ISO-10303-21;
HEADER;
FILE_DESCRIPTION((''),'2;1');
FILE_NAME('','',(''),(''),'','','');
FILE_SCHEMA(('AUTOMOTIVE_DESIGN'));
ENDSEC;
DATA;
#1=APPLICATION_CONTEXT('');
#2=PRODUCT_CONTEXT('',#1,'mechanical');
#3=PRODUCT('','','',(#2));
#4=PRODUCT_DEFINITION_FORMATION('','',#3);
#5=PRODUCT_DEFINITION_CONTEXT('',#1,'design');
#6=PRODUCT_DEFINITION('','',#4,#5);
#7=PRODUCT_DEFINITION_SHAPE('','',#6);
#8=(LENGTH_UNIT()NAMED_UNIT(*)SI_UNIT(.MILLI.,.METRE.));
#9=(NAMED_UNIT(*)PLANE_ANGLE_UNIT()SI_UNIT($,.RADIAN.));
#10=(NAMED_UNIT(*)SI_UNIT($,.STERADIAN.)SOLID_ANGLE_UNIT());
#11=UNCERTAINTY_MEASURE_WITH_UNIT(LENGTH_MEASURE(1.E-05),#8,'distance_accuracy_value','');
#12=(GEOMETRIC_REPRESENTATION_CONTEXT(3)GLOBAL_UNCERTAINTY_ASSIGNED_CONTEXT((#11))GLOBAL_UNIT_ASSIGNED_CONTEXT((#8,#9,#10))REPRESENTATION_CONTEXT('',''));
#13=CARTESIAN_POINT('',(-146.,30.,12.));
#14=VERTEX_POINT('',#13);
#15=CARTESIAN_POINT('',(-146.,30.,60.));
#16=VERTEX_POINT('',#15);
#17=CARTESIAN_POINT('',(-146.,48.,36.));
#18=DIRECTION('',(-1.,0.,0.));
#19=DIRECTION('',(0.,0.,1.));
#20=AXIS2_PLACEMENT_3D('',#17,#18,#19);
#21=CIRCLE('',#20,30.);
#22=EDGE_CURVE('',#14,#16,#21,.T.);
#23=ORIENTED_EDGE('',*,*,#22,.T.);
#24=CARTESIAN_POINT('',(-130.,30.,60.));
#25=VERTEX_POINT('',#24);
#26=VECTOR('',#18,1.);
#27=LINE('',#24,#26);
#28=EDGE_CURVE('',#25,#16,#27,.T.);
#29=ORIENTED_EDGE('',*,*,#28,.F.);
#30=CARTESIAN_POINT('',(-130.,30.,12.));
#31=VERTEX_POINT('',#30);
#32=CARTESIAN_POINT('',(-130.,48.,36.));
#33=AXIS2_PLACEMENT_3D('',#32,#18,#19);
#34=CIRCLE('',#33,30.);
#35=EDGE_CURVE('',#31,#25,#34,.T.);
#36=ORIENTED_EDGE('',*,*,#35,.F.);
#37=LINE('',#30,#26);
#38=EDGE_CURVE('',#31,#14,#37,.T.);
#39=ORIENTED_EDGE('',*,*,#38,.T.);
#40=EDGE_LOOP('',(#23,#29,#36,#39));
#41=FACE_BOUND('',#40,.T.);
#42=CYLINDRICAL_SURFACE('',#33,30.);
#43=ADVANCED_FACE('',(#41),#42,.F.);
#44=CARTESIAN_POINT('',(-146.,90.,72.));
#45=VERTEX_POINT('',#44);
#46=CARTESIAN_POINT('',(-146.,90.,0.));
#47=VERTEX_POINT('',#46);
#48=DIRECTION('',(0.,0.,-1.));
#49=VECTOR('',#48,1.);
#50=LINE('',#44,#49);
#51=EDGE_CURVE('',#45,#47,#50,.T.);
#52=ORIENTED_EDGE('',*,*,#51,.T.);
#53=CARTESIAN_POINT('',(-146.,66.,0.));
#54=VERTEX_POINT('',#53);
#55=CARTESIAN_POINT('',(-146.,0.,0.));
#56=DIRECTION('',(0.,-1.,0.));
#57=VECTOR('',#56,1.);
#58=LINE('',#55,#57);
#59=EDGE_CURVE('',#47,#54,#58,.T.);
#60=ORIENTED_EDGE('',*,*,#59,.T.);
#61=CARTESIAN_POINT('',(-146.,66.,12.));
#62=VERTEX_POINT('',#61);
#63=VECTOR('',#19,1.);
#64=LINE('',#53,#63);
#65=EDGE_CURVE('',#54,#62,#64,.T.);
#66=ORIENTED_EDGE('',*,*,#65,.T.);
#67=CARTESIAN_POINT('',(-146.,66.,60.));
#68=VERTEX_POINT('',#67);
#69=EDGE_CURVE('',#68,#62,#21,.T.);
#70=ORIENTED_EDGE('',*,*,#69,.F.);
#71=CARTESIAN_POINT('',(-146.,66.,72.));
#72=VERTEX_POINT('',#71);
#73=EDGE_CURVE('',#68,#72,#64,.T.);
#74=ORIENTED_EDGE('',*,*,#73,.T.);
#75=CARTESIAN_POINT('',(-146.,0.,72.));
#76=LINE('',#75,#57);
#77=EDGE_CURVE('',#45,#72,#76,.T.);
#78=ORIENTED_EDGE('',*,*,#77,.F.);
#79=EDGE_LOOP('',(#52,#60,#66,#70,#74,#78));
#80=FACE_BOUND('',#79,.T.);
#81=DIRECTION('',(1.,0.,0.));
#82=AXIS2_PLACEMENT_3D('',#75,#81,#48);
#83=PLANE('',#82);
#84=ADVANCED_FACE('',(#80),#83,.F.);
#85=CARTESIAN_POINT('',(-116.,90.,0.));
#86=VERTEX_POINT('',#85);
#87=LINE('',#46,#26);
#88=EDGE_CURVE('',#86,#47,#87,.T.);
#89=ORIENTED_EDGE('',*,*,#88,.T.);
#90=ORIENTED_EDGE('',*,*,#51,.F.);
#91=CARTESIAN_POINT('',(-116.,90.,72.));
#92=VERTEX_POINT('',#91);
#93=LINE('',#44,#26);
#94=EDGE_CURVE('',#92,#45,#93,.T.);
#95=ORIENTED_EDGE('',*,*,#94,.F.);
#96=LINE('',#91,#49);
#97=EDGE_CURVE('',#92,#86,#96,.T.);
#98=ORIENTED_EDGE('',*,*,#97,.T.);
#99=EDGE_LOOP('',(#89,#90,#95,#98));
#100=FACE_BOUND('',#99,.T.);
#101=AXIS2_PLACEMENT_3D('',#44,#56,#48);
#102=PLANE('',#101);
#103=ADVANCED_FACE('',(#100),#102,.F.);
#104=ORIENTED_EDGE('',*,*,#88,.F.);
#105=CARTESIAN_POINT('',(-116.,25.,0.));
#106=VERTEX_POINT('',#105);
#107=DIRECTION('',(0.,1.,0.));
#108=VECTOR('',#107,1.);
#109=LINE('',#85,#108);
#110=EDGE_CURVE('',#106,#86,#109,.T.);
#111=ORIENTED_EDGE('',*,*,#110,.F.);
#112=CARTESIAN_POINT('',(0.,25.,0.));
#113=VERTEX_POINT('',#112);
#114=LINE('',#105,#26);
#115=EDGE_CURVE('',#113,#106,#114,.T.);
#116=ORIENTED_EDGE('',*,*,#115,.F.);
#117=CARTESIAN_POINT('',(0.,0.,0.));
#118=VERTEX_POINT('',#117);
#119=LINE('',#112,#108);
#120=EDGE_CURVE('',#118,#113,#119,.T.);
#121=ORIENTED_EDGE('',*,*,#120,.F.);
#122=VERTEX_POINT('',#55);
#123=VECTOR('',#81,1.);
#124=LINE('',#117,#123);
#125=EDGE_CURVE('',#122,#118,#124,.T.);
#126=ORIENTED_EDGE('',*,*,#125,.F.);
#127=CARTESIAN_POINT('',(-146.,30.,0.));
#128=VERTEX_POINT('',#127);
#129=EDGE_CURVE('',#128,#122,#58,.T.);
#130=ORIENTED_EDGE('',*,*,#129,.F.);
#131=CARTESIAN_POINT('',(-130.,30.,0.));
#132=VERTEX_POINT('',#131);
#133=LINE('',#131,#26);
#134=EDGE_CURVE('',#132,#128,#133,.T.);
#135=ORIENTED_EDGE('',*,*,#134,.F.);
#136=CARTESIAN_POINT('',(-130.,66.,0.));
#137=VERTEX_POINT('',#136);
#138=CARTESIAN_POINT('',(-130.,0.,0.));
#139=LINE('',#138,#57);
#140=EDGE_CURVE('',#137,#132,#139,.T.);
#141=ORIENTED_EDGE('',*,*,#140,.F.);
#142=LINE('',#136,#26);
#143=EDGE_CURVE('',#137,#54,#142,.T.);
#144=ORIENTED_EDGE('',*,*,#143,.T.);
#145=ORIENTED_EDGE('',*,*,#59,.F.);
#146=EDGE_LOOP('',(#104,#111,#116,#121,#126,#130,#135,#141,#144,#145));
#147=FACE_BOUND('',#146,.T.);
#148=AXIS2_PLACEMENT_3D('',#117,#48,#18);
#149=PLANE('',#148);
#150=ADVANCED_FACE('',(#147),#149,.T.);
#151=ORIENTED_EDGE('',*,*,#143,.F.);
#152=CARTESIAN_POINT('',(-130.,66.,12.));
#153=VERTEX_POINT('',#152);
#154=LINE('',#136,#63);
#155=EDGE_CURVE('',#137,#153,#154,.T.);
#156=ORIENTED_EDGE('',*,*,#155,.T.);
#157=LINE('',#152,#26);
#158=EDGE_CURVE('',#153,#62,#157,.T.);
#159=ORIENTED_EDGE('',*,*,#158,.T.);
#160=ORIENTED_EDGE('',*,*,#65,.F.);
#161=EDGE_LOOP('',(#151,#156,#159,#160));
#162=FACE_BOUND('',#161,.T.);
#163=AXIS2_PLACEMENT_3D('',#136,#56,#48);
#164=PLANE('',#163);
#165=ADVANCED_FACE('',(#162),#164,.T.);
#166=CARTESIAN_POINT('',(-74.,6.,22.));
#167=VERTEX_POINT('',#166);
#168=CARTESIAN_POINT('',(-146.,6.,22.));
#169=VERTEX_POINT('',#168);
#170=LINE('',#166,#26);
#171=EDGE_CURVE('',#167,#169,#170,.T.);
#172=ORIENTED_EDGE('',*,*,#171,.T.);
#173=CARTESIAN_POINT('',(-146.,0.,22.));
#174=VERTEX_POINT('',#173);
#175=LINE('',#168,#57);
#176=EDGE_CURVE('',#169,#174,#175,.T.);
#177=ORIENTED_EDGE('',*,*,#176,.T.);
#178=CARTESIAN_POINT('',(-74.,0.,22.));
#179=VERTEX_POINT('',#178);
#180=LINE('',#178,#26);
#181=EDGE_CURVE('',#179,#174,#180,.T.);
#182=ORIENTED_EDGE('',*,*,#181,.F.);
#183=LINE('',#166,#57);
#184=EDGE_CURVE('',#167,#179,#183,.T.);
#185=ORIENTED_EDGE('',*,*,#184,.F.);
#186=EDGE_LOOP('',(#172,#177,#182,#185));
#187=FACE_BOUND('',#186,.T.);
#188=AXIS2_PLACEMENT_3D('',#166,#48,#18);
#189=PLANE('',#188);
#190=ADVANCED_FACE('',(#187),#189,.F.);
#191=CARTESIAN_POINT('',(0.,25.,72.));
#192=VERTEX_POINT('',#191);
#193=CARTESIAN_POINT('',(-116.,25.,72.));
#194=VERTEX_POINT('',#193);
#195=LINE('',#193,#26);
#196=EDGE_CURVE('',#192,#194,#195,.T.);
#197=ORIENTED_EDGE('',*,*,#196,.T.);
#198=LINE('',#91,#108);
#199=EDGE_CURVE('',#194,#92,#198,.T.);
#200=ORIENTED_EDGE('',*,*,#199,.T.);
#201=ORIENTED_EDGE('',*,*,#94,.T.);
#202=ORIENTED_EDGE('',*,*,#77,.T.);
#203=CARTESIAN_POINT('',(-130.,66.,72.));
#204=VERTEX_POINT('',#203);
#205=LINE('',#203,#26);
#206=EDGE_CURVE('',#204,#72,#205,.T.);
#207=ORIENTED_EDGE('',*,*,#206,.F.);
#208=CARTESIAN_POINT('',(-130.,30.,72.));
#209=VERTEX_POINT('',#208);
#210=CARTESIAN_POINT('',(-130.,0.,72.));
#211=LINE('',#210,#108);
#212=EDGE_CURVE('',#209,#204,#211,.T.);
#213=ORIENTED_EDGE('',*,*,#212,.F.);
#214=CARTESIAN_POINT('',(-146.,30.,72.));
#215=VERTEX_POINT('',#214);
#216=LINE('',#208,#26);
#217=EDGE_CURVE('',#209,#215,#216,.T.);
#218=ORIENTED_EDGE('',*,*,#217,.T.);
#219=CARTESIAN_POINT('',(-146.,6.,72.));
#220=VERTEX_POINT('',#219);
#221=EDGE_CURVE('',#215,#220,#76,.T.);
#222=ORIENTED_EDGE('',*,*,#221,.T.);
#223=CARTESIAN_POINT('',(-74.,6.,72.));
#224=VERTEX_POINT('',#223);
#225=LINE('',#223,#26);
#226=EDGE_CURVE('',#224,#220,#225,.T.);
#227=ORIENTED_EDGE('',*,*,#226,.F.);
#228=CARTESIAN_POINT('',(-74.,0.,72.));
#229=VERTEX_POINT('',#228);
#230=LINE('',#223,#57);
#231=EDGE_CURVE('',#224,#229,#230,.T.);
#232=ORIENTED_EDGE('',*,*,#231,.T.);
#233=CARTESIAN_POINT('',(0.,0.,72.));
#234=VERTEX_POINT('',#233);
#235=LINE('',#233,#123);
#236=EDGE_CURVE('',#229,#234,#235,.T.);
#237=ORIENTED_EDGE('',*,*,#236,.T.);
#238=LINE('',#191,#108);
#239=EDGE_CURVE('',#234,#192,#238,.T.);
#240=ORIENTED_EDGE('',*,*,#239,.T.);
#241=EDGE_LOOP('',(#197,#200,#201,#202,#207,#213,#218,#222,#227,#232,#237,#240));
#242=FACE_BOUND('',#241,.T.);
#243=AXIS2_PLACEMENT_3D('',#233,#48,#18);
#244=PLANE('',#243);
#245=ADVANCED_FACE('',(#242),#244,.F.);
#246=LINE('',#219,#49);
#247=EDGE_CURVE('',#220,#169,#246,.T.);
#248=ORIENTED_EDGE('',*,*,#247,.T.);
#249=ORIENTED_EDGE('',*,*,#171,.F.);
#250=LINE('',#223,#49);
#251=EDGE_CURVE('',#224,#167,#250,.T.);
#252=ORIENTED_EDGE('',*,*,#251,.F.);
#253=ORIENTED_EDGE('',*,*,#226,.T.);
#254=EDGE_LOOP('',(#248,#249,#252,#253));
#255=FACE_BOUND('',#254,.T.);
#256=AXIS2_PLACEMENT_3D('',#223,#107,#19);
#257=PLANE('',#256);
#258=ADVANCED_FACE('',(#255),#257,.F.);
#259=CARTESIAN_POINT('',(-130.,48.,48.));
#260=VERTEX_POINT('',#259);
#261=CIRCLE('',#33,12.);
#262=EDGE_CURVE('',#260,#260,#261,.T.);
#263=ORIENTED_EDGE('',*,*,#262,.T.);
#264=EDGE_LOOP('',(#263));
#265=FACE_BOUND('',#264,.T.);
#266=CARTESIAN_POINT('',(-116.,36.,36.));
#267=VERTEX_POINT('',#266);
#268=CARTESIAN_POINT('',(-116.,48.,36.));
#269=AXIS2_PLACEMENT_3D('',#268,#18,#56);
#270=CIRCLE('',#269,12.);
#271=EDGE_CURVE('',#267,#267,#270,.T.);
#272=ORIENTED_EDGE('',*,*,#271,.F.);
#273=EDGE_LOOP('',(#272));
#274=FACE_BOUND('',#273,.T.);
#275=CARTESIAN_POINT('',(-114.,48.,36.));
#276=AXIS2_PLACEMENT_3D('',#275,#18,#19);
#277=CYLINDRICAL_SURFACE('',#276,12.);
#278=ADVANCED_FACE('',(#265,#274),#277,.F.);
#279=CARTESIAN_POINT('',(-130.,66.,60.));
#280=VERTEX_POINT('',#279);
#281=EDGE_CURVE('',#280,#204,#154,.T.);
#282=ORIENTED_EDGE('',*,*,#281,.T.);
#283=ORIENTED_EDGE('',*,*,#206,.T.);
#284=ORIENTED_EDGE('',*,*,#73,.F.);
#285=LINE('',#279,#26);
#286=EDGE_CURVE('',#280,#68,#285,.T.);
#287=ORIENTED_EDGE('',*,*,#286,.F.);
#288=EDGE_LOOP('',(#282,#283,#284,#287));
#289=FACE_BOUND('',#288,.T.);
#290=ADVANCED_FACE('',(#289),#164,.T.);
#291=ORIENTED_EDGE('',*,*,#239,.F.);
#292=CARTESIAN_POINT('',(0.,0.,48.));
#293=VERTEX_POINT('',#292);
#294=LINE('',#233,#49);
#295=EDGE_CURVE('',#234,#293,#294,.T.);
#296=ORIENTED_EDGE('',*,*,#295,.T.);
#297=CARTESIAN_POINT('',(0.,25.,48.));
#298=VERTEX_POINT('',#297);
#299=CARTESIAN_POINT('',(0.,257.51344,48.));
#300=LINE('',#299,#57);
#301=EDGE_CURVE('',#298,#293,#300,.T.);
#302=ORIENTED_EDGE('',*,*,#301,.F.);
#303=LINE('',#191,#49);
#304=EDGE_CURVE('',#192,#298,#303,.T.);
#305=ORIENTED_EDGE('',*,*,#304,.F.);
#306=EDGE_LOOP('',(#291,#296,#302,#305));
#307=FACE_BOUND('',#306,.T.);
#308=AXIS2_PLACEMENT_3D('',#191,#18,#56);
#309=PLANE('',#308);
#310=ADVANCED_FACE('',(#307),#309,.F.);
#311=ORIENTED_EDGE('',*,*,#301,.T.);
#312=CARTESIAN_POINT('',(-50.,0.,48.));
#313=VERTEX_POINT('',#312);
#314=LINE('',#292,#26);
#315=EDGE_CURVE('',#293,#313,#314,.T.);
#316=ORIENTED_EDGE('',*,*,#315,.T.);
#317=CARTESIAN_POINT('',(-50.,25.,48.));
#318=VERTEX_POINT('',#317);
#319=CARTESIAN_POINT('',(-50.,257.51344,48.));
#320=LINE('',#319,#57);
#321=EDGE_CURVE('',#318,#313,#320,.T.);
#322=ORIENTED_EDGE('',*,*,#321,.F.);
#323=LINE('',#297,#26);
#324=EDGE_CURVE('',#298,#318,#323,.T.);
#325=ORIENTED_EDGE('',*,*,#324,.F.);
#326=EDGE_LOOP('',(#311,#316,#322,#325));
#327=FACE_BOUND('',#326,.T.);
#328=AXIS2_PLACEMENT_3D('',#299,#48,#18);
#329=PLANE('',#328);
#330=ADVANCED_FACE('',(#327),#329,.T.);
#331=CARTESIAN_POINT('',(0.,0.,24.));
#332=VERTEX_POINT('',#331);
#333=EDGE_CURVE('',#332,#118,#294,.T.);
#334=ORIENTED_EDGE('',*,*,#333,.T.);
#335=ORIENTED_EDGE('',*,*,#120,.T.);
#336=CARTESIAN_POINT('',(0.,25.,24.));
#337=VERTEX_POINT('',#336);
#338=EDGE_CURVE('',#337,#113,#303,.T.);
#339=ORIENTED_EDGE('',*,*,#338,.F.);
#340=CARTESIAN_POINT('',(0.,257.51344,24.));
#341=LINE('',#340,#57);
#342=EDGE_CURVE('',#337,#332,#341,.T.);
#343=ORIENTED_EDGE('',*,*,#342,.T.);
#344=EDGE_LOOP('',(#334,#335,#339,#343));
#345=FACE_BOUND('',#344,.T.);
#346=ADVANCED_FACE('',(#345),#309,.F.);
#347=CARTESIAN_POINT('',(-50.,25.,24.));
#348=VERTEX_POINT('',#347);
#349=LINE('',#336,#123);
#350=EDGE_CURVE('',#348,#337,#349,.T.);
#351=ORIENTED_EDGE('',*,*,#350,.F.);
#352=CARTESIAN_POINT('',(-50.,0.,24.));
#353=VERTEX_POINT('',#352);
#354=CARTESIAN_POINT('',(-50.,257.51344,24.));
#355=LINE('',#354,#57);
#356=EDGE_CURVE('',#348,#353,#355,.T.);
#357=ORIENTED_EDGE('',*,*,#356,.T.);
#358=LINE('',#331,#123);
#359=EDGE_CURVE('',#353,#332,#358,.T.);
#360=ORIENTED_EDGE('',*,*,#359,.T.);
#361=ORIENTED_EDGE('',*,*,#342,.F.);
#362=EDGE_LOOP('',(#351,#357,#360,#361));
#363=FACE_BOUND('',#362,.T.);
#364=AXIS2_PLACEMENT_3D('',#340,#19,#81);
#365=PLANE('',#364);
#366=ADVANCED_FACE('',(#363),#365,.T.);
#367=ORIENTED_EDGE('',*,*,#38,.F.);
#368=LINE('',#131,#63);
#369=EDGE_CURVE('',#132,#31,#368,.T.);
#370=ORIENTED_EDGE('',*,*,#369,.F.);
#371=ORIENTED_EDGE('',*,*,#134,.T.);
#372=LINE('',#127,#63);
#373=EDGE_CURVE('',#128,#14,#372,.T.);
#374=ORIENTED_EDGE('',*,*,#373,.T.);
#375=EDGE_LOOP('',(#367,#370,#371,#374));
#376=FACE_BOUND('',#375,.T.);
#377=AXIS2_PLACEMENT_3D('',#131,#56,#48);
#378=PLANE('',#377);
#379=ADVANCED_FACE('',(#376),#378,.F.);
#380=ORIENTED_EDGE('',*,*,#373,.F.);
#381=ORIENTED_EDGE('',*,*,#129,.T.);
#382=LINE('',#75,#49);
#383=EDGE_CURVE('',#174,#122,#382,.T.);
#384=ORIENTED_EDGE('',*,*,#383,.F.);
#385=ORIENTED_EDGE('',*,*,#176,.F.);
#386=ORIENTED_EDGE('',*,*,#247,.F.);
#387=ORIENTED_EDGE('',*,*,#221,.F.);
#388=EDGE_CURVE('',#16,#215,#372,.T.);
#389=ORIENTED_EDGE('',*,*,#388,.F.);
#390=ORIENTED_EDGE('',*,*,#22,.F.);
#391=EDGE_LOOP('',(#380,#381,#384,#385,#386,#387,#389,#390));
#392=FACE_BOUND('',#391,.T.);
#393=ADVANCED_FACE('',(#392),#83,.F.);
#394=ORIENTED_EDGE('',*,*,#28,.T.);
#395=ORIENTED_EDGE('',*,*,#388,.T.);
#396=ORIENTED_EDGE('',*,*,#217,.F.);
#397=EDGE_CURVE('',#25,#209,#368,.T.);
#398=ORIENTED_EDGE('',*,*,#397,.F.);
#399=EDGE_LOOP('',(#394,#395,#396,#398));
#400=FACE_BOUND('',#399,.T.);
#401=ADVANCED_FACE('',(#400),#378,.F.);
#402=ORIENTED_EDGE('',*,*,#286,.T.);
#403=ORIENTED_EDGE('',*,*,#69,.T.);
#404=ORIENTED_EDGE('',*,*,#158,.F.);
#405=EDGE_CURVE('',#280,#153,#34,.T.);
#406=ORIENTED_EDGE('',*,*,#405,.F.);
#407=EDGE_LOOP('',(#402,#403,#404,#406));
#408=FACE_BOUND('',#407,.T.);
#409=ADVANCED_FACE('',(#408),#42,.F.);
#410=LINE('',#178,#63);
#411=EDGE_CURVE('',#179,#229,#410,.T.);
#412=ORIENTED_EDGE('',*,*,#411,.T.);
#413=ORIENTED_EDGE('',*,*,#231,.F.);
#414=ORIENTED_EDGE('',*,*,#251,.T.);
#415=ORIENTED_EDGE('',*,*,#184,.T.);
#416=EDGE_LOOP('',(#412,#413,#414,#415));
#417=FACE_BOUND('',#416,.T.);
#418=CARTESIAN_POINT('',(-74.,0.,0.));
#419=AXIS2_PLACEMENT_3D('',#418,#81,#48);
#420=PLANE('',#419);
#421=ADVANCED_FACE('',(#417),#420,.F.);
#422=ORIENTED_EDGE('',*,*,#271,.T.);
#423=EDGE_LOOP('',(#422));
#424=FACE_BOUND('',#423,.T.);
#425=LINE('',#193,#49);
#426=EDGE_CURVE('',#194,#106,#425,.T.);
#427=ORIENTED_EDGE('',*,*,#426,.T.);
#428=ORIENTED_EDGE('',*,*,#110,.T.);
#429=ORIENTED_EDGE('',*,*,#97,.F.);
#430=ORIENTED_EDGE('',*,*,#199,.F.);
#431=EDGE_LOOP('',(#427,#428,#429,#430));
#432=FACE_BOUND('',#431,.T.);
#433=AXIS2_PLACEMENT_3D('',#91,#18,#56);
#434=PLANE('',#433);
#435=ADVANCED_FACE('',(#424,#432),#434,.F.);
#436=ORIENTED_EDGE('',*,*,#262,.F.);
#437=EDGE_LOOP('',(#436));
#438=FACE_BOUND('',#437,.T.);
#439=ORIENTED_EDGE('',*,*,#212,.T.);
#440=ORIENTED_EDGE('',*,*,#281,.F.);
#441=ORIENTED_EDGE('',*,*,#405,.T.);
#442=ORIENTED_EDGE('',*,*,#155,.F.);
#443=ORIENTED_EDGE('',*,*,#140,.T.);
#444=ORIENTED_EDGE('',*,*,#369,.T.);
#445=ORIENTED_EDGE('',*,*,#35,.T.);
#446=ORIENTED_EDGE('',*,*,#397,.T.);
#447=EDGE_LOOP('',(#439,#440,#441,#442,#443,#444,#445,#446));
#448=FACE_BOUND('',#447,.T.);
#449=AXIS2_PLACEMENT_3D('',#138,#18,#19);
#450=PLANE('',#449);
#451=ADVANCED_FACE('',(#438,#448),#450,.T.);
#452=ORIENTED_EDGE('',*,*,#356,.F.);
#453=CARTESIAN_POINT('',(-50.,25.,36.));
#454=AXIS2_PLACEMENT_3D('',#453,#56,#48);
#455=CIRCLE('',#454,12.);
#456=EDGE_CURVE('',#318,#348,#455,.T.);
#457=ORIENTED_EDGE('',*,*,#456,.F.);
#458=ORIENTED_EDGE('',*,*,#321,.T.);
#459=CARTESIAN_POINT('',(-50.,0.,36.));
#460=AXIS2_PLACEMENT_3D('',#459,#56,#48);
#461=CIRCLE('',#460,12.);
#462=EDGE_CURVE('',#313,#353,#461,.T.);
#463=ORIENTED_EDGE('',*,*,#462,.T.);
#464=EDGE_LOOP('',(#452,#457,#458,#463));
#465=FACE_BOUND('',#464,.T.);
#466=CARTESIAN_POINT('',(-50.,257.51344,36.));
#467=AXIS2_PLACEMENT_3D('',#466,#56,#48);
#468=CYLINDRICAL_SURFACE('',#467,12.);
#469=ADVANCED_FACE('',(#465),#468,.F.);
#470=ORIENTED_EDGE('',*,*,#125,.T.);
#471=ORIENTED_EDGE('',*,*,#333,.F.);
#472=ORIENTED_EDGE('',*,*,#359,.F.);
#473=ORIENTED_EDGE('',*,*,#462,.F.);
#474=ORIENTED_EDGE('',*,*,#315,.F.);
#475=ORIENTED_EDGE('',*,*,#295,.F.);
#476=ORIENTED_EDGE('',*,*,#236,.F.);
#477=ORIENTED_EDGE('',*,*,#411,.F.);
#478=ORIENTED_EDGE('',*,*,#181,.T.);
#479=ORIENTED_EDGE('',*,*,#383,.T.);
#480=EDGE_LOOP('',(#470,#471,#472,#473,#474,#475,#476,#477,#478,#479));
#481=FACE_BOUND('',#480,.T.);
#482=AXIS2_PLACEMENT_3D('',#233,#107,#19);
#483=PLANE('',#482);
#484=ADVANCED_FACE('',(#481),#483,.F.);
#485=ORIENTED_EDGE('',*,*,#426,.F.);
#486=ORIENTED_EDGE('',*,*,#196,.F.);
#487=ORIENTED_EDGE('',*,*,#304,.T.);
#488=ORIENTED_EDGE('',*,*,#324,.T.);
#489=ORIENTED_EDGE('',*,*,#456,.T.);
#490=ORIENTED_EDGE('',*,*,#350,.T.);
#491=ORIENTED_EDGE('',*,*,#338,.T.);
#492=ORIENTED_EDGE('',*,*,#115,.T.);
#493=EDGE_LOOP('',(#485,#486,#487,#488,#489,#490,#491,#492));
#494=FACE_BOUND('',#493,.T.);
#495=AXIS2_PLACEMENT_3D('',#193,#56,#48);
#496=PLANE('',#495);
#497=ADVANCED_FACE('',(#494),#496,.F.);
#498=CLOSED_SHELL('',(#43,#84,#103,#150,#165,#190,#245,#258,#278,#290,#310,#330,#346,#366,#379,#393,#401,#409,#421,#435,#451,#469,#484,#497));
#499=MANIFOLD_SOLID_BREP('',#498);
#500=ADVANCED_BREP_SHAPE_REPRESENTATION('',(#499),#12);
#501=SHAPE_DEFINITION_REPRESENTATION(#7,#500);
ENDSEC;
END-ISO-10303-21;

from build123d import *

# Parameters (mm, degrees)
BOSS_EXTRUDE1_DEPTH     = 72
CUT_EXTRUDE2_DEPTH      = 176.28548143
CUT_EXTRUDE2_DEPTH_BACK = 25
SKETCH3_W               = 50
SKETCH3_H               = 6
CUT_EXTRUDE4_DEPTH      = 72
CUT_EXTRUDE6_DEPTH      = 16
SKETCH5_R               = 12
CUT_EXTRUDE7_DEPTH      = 16


with BuildPart() as part:
    # Sketch1 → Boss-Extrude1 (new body)
    with BuildSketch(Plane.XY):
        Polygon((0, 0), (-146, 0), (-146, 90), (-116, 90), (-116, 25), (0, 25), align=None)
    extrude(amount=BOSS_EXTRUDE1_DEPTH)

    # Sketch2 → Cut-Extrude2 (cut, two sides: drawn at the far end of the back side and taken through both)
    with BuildSketch(Plane(origin=(0, 25, 0), x_dir=(1, 0, 0), z_dir=(0, 1, 0)).offset(-CUT_EXTRUDE2_DEPTH_BACK)):
        with BuildLine():
            Line((-50, -48), (0, -48))
            Line((0, -48), (0, -24))
            Line((0, -24), (-50, -24))
            ThreePointArc((-50, -24), (-62, -36), (-50, -48))
        make_face()
    extrude(amount=CUT_EXTRUDE2_DEPTH + CUT_EXTRUDE2_DEPTH_BACK, mode=Mode.SUBTRACT)

    # Sketch3 → Cut-Extrude4 (cut)
    with BuildSketch(Plane.ZY.offset(146)):
        with Locations((47, 3)):
            Rectangle(SKETCH3_W, SKETCH3_H)
    extrude(amount=-CUT_EXTRUDE4_DEPTH, mode=Mode.SUBTRACT)

    # Sketch4 → Cut-Extrude6 (cut)
    with BuildSketch(Plane.ZY.offset(146)):
        with BuildLine():
            Line((12, 66), (0, 66))
            Line((0, 66), (0, 30))
            Line((0, 30), (12, 30))
            ThreePointArc((12, 30), (36, 18), (60, 30))
            Line((60, 30), (72, 30))
            Line((72, 30), (72, 66))
            Line((72, 66), (60, 66))
            ThreePointArc((60, 66), (36, 78), (12, 66))
        make_face()
    extrude(amount=-CUT_EXTRUDE6_DEPTH, mode=Mode.SUBTRACT)

    # Sketch5 → Cut-Extrude7 (cut)
    with BuildSketch(Plane.ZY.offset(130)):
        with Locations((36, 48)):
            Circle(SKETCH5_R)
    extrude(amount=-CUT_EXTRUDE7_DEPTH, mode=Mode.SUBTRACT)


solid = part.part
